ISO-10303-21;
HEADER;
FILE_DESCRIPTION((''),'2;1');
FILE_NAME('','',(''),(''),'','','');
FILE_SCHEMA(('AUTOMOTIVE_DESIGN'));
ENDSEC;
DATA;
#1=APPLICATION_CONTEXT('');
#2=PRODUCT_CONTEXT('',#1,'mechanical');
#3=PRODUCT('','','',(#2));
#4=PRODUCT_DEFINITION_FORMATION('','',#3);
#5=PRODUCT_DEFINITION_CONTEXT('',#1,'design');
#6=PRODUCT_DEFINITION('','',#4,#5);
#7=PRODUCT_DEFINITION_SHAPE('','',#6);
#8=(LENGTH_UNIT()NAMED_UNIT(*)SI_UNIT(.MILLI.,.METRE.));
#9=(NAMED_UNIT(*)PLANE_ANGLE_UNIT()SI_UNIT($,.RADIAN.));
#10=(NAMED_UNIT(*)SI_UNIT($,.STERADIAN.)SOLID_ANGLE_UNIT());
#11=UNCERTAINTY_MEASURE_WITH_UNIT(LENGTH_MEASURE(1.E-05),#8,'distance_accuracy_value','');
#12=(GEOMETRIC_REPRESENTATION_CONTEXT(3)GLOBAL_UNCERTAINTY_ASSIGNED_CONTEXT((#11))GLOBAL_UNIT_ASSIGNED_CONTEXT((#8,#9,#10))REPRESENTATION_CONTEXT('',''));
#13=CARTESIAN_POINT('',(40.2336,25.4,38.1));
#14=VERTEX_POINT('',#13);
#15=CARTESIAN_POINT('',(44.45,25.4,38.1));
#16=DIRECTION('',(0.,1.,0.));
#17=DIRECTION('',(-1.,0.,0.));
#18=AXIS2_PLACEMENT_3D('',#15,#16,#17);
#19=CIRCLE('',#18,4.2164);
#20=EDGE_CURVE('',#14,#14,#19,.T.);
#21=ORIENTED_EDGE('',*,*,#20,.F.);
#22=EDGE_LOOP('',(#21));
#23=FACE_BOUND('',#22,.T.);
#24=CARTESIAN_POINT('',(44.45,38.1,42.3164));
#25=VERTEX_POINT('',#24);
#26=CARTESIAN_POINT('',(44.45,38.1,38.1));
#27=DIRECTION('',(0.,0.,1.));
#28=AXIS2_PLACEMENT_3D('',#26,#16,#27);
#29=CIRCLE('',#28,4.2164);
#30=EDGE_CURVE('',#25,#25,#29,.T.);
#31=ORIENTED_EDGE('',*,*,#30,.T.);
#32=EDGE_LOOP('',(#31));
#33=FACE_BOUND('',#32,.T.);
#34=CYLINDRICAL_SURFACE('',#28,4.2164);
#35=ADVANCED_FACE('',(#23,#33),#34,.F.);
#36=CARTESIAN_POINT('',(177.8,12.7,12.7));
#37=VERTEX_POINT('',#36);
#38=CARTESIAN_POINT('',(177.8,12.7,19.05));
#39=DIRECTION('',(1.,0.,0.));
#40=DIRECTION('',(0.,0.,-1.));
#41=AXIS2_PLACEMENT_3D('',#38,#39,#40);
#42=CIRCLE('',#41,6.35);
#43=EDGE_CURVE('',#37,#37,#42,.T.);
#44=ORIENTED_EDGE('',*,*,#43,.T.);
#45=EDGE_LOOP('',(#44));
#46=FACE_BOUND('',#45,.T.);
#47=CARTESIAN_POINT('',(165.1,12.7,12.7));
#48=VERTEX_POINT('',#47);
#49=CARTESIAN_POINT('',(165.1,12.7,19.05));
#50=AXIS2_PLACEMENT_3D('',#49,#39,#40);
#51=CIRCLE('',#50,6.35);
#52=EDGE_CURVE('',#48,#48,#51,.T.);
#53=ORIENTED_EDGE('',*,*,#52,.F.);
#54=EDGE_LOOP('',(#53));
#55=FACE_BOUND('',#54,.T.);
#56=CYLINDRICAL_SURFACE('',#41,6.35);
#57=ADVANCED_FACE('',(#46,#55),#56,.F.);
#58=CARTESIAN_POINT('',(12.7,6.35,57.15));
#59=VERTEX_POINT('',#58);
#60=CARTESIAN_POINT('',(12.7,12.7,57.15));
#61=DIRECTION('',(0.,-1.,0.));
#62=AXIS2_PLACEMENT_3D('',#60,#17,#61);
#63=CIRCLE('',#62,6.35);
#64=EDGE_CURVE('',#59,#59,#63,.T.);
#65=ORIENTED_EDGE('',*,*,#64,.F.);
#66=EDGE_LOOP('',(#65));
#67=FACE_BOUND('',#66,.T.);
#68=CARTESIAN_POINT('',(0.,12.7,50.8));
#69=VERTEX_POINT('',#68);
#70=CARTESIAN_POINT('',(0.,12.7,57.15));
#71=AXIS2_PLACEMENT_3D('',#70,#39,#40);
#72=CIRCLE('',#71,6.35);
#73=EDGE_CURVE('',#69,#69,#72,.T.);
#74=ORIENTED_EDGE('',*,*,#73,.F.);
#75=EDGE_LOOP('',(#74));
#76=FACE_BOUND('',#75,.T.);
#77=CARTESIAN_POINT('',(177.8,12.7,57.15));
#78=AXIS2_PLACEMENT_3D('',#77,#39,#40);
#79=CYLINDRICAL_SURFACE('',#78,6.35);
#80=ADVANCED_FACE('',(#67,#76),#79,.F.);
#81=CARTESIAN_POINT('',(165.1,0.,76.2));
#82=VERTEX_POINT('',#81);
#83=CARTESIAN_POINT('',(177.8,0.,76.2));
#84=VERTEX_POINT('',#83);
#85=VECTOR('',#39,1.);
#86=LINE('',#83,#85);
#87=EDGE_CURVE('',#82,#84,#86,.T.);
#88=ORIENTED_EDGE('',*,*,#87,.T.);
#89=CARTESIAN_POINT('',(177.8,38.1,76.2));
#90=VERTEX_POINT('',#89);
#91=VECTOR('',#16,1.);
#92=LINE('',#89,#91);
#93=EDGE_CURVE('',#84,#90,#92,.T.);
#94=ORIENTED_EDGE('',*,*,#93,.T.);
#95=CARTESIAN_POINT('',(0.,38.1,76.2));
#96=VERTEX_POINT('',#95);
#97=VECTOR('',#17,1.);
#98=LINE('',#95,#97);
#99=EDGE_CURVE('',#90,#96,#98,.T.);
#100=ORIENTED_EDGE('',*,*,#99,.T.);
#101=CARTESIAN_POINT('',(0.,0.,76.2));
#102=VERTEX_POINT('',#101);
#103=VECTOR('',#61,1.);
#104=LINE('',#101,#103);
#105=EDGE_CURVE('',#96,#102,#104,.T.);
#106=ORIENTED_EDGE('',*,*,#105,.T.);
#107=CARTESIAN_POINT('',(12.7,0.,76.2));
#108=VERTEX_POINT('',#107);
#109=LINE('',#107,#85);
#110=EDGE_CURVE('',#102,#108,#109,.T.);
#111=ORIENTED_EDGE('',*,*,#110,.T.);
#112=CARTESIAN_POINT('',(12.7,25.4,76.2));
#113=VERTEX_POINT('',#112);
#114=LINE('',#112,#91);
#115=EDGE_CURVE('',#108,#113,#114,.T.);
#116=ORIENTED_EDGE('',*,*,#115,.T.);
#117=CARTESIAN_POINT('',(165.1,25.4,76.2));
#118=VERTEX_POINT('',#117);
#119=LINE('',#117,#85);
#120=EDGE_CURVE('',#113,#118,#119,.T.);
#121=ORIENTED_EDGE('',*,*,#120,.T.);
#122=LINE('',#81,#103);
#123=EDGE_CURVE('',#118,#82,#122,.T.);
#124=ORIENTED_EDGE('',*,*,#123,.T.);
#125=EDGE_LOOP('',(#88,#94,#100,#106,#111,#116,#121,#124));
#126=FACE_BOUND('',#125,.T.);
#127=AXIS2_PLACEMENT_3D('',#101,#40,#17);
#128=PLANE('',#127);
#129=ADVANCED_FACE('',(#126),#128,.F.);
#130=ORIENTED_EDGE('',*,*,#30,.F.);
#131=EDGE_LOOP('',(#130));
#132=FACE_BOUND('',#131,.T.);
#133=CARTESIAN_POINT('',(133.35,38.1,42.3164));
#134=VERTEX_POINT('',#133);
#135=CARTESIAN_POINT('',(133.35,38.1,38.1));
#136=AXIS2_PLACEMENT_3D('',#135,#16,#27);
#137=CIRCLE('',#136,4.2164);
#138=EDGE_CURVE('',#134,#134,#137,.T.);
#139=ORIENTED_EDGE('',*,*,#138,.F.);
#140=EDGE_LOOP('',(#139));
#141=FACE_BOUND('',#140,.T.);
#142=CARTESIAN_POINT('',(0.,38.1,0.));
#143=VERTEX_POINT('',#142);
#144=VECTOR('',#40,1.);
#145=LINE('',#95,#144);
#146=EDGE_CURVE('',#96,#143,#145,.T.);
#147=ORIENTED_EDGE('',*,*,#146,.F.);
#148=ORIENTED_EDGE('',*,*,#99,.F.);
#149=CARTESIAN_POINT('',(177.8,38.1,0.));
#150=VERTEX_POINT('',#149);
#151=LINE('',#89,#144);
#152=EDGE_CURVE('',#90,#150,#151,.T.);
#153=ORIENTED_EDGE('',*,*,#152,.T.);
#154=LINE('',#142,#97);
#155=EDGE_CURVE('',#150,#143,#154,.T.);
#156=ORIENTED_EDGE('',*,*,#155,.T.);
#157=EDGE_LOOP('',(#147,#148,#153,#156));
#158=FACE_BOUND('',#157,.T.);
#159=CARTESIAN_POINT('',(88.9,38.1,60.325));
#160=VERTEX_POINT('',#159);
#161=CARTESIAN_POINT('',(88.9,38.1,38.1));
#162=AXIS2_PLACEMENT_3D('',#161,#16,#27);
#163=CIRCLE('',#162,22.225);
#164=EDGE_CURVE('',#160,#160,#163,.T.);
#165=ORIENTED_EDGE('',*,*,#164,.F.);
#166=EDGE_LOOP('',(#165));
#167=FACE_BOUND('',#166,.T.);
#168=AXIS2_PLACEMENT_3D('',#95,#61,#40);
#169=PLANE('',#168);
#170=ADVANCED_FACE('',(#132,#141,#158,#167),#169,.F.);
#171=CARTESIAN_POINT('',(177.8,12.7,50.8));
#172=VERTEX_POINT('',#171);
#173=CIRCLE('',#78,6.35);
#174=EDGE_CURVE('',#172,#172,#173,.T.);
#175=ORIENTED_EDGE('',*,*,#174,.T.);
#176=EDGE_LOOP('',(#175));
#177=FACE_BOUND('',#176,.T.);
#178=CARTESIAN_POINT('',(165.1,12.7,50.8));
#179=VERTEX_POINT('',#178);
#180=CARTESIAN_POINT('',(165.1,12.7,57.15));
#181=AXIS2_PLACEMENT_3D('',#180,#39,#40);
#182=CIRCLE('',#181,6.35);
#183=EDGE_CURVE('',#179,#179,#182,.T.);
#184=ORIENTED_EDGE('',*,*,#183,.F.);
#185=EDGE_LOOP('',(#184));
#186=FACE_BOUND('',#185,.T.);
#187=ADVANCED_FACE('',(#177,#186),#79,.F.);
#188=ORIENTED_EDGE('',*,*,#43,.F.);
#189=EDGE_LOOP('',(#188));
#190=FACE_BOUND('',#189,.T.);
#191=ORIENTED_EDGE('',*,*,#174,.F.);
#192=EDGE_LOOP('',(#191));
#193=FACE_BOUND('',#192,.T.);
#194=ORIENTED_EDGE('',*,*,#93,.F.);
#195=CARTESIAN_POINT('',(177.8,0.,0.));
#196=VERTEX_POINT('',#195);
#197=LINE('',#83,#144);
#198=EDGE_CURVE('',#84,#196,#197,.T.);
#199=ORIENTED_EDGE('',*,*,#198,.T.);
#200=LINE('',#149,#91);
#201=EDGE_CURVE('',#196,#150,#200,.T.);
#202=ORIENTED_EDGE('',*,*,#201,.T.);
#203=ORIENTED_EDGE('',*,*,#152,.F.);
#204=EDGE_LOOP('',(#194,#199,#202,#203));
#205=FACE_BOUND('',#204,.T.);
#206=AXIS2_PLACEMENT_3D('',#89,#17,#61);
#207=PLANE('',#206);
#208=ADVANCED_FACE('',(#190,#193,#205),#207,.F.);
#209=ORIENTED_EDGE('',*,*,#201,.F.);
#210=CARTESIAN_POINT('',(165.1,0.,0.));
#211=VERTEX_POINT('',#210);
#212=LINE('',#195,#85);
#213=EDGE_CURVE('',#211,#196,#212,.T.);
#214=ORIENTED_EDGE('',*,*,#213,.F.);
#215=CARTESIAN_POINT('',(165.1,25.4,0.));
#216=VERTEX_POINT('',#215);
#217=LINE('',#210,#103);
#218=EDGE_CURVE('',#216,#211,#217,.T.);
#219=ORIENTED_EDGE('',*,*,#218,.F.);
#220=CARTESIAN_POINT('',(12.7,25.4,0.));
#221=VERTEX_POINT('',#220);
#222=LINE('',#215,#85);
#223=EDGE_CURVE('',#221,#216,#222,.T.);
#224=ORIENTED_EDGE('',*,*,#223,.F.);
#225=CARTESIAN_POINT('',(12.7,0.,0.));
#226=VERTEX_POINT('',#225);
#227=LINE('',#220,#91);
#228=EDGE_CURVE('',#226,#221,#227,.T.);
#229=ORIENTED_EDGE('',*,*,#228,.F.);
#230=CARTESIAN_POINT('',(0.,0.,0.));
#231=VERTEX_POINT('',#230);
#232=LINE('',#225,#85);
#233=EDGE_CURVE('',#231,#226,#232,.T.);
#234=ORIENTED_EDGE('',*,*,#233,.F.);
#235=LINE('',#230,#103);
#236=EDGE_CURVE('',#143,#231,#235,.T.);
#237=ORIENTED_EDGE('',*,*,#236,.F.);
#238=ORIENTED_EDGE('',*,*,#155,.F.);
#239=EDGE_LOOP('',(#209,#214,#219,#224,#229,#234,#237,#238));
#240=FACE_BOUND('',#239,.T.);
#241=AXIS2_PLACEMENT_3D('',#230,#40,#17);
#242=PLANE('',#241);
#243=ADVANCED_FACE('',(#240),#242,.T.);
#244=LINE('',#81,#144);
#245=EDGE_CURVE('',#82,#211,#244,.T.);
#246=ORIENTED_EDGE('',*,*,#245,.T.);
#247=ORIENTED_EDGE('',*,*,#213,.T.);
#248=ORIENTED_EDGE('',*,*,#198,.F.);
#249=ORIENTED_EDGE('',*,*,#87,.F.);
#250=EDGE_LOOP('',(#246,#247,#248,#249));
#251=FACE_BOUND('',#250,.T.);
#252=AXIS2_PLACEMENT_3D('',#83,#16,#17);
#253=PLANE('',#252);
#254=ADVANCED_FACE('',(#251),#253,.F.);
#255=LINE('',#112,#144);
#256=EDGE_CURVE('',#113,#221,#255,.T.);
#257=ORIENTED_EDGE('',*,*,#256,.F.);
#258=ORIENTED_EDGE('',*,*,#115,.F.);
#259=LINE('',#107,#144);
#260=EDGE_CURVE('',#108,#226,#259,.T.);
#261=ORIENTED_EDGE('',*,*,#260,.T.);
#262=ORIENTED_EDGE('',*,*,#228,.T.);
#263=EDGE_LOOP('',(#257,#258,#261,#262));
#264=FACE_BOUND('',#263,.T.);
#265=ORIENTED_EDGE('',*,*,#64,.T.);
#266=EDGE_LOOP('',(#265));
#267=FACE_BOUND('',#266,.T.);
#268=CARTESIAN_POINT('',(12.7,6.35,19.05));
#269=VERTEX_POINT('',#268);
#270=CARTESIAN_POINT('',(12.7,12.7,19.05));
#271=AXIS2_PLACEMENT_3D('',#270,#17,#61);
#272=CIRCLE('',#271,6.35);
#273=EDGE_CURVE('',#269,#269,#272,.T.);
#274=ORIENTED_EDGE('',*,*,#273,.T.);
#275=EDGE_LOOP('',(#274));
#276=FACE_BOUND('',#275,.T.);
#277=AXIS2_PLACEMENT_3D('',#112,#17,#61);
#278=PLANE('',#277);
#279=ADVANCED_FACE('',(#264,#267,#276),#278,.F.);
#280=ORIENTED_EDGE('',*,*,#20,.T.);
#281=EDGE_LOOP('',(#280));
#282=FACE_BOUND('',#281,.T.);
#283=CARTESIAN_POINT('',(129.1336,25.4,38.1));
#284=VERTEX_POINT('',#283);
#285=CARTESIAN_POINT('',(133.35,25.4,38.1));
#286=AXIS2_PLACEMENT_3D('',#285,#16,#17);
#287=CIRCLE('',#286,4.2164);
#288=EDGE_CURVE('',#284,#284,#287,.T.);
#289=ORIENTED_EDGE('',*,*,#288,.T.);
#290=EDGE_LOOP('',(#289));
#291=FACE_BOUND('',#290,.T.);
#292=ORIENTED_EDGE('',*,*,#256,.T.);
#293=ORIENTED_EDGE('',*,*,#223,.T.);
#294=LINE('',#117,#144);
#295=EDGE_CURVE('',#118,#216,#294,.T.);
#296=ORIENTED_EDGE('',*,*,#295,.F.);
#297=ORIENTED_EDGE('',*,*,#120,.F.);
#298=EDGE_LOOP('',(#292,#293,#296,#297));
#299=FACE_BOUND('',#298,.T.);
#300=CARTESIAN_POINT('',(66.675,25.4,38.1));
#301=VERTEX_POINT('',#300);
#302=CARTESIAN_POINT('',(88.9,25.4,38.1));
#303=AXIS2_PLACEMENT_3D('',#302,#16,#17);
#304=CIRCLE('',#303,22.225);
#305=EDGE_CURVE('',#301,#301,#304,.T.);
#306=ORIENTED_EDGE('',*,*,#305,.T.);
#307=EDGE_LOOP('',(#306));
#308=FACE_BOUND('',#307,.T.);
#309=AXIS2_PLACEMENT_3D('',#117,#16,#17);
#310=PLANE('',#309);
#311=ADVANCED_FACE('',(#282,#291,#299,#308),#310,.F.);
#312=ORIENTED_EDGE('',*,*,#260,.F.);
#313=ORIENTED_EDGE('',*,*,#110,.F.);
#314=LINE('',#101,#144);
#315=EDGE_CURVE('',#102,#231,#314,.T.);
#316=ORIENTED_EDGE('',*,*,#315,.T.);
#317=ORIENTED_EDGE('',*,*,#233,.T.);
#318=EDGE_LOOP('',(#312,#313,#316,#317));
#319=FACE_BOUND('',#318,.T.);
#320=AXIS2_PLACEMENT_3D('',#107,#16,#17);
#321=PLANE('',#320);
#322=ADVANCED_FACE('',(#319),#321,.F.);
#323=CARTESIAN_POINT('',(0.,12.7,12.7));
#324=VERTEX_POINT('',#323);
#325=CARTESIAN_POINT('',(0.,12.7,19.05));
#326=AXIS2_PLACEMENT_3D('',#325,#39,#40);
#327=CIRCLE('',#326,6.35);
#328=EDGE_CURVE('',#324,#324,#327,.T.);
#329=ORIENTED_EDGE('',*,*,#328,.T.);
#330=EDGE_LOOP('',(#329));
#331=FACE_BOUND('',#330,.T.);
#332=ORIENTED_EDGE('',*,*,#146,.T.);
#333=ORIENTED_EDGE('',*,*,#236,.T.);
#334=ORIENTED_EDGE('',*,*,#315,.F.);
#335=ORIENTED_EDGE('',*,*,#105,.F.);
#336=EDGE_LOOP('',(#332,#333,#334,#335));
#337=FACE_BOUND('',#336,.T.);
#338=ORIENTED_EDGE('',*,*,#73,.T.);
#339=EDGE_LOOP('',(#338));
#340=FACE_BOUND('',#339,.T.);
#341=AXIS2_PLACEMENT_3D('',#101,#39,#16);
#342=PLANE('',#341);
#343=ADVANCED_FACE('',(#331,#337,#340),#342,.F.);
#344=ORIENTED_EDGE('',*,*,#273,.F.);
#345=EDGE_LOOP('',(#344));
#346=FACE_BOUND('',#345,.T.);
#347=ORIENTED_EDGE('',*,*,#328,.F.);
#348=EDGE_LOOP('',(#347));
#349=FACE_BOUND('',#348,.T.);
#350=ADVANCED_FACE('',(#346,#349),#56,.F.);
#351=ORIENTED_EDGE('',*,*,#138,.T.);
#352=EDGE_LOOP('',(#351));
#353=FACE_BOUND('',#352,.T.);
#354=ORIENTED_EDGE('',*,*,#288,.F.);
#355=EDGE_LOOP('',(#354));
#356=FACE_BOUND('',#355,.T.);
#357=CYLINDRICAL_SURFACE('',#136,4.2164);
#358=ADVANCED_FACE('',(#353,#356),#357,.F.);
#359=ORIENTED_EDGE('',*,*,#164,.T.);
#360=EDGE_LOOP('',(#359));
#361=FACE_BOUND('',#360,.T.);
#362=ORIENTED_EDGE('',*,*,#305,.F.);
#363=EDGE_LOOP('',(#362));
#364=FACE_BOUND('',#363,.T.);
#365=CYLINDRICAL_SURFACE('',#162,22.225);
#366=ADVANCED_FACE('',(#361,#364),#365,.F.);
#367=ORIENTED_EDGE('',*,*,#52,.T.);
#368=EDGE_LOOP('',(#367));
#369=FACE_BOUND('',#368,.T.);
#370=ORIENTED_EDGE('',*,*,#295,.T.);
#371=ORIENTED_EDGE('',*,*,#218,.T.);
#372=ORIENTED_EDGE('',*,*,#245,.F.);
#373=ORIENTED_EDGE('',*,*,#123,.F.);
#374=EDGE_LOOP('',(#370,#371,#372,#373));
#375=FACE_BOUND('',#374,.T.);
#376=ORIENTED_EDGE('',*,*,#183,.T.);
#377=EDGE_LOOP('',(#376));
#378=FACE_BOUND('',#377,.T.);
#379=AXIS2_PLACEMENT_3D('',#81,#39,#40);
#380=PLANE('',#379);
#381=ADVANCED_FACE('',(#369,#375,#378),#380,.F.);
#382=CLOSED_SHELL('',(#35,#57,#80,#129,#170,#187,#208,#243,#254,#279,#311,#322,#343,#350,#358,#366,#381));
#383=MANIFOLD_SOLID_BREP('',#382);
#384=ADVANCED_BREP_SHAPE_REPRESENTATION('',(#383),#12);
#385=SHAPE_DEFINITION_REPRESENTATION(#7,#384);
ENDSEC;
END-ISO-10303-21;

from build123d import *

# Parameters (mm, degrees)
BOSS_EXTRUDE1_DEPTH         = 76.2
F_3_8_1_75_DIAMETER_HOLE1_D = 44.45
TAP_DRILL_FOR_3_8_24_TAP1_D = 8.4328
TAP_DRILL_FOR_3_8_24_TAP2_D = 12.7


with BuildPart() as part:
    # Sketch1 → Boss-Extrude1 (new body)
    with BuildSketch(Plane.XY):
        Polygon((0, 0), (0, 38.1), (177.8, 38.1), (177.8, 0), (165.1, 0), (165.1, 25.4), (12.7, 25.4), (12.7, 0), align=None)
    extrude(amount=BOSS_EXTRUDE1_DEPTH)

    # 3/8 (1.75) Diameter Hole1 (through all)
    with Locations(Plane(origin=(0, 38.1, 0), x_dir=(1, 0, 0), z_dir=(0, 1, 0))):
        with Locations((88.9, -38.1)):
            Hole(F_3_8_1_75_DIAMETER_HOLE1_D / 2)

    # Tap Drill for 3/8-24 Tap1 (through all)
    with Locations(Plane(origin=(0, 38.1, 0), x_dir=(1, 0, 0), z_dir=(0, 1, 0))):
        with Locations((44.45, -38.1), (133.35, -38.1)):
            Hole(TAP_DRILL_FOR_3_8_24_TAP1_D / 2)

    # Tap Drill for 3/8-24 Tap2 (through all)
    with Locations(Plane(origin=(177.8, 0, 0), x_dir=(0, 0, -1), z_dir=(1, 0, 0))):
        with Locations((-57.15, 12.7), (-19.05, 12.7)):
            Hole(TAP_DRILL_FOR_3_8_24_TAP2_D / 2)


solid = part.part
